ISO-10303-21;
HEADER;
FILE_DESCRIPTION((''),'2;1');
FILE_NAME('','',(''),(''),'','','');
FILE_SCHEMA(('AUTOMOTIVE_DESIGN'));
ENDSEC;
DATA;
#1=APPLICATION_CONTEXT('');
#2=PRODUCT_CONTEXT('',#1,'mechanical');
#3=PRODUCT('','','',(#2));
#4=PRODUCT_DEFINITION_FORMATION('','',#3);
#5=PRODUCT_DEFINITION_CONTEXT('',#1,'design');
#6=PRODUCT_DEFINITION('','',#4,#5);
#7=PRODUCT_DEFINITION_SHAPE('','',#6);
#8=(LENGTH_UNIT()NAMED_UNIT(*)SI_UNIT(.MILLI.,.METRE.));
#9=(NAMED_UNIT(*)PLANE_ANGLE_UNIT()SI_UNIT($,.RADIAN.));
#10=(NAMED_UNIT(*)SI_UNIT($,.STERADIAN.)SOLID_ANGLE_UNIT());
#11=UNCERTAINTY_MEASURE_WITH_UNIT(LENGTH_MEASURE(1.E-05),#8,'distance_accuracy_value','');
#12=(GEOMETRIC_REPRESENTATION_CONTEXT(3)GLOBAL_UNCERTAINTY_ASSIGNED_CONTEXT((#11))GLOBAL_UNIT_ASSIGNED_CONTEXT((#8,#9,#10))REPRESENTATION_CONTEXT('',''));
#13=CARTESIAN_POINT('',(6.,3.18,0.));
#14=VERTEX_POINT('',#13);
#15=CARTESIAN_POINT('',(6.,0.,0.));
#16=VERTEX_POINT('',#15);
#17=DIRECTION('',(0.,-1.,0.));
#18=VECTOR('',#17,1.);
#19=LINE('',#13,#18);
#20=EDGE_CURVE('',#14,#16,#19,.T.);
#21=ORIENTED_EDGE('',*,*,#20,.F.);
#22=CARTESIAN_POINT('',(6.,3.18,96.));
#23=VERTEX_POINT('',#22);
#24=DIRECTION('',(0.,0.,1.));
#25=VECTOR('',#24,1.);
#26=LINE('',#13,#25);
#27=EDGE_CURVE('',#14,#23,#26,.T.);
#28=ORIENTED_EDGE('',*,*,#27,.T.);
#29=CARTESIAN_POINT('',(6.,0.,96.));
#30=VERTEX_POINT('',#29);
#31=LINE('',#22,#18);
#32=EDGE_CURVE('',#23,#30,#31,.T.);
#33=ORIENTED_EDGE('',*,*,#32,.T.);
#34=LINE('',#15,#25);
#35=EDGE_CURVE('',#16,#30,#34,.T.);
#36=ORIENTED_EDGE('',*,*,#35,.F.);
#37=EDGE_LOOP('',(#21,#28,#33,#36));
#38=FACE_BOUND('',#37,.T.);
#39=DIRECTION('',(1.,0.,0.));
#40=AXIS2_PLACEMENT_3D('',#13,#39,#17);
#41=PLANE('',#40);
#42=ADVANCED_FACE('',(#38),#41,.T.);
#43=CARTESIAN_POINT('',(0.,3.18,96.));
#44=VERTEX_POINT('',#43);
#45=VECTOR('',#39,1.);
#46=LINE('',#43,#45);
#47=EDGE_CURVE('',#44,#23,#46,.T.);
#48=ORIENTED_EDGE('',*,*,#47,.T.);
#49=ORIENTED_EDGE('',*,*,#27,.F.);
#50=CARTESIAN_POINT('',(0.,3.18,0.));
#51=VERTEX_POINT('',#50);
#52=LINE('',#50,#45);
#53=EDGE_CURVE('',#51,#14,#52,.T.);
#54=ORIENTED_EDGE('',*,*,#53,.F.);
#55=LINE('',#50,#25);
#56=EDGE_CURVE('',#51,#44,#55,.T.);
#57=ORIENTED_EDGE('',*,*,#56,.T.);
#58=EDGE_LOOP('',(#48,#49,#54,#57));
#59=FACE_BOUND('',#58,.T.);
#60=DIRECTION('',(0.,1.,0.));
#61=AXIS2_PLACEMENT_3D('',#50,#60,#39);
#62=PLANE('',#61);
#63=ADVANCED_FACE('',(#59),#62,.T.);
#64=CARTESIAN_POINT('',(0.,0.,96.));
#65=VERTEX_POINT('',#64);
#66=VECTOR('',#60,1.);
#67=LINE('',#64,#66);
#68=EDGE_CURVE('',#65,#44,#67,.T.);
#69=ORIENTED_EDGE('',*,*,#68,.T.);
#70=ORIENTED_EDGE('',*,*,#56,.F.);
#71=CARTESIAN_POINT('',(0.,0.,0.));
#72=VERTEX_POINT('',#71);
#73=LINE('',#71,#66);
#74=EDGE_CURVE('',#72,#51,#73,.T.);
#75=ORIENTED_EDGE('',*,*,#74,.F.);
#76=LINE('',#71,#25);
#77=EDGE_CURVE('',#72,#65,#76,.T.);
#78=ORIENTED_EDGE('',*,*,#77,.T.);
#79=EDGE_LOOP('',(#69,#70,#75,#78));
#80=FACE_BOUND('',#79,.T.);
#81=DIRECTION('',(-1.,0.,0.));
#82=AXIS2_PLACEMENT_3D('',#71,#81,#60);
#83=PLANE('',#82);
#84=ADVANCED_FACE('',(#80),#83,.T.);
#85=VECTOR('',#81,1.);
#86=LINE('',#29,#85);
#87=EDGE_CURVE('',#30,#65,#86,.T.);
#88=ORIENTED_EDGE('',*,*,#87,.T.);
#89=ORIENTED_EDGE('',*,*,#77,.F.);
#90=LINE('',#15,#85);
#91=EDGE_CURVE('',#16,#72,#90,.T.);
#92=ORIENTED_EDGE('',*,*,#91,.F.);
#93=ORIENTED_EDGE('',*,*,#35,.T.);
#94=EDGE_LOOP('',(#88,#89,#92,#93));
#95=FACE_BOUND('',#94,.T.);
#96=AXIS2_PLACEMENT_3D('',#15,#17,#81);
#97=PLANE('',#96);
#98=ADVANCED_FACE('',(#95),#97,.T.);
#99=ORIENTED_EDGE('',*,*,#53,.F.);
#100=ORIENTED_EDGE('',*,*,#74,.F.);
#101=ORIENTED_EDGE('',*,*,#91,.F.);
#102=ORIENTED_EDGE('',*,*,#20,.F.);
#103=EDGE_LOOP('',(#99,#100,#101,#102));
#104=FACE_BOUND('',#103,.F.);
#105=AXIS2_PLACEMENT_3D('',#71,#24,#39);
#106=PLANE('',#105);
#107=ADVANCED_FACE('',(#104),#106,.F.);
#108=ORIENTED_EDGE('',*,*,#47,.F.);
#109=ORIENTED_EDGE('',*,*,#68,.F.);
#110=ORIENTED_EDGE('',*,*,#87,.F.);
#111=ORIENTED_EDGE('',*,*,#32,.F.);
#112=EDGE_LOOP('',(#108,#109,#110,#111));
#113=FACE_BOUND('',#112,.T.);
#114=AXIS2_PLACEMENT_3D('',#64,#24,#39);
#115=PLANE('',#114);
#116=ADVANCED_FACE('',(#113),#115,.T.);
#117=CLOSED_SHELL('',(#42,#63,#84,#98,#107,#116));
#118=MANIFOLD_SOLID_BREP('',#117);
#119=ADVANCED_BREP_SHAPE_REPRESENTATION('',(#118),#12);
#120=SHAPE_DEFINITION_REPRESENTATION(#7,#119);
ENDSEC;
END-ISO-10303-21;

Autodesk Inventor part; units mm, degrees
ref_plane "YZ Plane" through (0, 0, 0) normal (1, 0, 0) x (0, 1, 0)
ref_plane "XZ Plane" through (0, 0, 0) normal (0, 1, 0) x (-1, 0, 0)
ref_plane "XY Plane" through (0, 0, 0) normal (0, 0, 1) x (1, 0, 0)
sketch "Sketch1" plane through (0, 0, 0) normal (0, 0, 1) x (1, 0, 0)
  line L0 (0, 0) -> (0, 3.18)
  line L1 (0, 3.18) -> (6, 3.18)
  line L2 (6, 3.18) -> (6, 0)
  line L3 (6, 0) -> (0, 0)
  dimension "d0" = 3.18
  dimension "d1" = 6
extrude "Extrusion1" add sketch "Sketch1" along normal blind 96
properties part number "inside-join-print-anchor"
